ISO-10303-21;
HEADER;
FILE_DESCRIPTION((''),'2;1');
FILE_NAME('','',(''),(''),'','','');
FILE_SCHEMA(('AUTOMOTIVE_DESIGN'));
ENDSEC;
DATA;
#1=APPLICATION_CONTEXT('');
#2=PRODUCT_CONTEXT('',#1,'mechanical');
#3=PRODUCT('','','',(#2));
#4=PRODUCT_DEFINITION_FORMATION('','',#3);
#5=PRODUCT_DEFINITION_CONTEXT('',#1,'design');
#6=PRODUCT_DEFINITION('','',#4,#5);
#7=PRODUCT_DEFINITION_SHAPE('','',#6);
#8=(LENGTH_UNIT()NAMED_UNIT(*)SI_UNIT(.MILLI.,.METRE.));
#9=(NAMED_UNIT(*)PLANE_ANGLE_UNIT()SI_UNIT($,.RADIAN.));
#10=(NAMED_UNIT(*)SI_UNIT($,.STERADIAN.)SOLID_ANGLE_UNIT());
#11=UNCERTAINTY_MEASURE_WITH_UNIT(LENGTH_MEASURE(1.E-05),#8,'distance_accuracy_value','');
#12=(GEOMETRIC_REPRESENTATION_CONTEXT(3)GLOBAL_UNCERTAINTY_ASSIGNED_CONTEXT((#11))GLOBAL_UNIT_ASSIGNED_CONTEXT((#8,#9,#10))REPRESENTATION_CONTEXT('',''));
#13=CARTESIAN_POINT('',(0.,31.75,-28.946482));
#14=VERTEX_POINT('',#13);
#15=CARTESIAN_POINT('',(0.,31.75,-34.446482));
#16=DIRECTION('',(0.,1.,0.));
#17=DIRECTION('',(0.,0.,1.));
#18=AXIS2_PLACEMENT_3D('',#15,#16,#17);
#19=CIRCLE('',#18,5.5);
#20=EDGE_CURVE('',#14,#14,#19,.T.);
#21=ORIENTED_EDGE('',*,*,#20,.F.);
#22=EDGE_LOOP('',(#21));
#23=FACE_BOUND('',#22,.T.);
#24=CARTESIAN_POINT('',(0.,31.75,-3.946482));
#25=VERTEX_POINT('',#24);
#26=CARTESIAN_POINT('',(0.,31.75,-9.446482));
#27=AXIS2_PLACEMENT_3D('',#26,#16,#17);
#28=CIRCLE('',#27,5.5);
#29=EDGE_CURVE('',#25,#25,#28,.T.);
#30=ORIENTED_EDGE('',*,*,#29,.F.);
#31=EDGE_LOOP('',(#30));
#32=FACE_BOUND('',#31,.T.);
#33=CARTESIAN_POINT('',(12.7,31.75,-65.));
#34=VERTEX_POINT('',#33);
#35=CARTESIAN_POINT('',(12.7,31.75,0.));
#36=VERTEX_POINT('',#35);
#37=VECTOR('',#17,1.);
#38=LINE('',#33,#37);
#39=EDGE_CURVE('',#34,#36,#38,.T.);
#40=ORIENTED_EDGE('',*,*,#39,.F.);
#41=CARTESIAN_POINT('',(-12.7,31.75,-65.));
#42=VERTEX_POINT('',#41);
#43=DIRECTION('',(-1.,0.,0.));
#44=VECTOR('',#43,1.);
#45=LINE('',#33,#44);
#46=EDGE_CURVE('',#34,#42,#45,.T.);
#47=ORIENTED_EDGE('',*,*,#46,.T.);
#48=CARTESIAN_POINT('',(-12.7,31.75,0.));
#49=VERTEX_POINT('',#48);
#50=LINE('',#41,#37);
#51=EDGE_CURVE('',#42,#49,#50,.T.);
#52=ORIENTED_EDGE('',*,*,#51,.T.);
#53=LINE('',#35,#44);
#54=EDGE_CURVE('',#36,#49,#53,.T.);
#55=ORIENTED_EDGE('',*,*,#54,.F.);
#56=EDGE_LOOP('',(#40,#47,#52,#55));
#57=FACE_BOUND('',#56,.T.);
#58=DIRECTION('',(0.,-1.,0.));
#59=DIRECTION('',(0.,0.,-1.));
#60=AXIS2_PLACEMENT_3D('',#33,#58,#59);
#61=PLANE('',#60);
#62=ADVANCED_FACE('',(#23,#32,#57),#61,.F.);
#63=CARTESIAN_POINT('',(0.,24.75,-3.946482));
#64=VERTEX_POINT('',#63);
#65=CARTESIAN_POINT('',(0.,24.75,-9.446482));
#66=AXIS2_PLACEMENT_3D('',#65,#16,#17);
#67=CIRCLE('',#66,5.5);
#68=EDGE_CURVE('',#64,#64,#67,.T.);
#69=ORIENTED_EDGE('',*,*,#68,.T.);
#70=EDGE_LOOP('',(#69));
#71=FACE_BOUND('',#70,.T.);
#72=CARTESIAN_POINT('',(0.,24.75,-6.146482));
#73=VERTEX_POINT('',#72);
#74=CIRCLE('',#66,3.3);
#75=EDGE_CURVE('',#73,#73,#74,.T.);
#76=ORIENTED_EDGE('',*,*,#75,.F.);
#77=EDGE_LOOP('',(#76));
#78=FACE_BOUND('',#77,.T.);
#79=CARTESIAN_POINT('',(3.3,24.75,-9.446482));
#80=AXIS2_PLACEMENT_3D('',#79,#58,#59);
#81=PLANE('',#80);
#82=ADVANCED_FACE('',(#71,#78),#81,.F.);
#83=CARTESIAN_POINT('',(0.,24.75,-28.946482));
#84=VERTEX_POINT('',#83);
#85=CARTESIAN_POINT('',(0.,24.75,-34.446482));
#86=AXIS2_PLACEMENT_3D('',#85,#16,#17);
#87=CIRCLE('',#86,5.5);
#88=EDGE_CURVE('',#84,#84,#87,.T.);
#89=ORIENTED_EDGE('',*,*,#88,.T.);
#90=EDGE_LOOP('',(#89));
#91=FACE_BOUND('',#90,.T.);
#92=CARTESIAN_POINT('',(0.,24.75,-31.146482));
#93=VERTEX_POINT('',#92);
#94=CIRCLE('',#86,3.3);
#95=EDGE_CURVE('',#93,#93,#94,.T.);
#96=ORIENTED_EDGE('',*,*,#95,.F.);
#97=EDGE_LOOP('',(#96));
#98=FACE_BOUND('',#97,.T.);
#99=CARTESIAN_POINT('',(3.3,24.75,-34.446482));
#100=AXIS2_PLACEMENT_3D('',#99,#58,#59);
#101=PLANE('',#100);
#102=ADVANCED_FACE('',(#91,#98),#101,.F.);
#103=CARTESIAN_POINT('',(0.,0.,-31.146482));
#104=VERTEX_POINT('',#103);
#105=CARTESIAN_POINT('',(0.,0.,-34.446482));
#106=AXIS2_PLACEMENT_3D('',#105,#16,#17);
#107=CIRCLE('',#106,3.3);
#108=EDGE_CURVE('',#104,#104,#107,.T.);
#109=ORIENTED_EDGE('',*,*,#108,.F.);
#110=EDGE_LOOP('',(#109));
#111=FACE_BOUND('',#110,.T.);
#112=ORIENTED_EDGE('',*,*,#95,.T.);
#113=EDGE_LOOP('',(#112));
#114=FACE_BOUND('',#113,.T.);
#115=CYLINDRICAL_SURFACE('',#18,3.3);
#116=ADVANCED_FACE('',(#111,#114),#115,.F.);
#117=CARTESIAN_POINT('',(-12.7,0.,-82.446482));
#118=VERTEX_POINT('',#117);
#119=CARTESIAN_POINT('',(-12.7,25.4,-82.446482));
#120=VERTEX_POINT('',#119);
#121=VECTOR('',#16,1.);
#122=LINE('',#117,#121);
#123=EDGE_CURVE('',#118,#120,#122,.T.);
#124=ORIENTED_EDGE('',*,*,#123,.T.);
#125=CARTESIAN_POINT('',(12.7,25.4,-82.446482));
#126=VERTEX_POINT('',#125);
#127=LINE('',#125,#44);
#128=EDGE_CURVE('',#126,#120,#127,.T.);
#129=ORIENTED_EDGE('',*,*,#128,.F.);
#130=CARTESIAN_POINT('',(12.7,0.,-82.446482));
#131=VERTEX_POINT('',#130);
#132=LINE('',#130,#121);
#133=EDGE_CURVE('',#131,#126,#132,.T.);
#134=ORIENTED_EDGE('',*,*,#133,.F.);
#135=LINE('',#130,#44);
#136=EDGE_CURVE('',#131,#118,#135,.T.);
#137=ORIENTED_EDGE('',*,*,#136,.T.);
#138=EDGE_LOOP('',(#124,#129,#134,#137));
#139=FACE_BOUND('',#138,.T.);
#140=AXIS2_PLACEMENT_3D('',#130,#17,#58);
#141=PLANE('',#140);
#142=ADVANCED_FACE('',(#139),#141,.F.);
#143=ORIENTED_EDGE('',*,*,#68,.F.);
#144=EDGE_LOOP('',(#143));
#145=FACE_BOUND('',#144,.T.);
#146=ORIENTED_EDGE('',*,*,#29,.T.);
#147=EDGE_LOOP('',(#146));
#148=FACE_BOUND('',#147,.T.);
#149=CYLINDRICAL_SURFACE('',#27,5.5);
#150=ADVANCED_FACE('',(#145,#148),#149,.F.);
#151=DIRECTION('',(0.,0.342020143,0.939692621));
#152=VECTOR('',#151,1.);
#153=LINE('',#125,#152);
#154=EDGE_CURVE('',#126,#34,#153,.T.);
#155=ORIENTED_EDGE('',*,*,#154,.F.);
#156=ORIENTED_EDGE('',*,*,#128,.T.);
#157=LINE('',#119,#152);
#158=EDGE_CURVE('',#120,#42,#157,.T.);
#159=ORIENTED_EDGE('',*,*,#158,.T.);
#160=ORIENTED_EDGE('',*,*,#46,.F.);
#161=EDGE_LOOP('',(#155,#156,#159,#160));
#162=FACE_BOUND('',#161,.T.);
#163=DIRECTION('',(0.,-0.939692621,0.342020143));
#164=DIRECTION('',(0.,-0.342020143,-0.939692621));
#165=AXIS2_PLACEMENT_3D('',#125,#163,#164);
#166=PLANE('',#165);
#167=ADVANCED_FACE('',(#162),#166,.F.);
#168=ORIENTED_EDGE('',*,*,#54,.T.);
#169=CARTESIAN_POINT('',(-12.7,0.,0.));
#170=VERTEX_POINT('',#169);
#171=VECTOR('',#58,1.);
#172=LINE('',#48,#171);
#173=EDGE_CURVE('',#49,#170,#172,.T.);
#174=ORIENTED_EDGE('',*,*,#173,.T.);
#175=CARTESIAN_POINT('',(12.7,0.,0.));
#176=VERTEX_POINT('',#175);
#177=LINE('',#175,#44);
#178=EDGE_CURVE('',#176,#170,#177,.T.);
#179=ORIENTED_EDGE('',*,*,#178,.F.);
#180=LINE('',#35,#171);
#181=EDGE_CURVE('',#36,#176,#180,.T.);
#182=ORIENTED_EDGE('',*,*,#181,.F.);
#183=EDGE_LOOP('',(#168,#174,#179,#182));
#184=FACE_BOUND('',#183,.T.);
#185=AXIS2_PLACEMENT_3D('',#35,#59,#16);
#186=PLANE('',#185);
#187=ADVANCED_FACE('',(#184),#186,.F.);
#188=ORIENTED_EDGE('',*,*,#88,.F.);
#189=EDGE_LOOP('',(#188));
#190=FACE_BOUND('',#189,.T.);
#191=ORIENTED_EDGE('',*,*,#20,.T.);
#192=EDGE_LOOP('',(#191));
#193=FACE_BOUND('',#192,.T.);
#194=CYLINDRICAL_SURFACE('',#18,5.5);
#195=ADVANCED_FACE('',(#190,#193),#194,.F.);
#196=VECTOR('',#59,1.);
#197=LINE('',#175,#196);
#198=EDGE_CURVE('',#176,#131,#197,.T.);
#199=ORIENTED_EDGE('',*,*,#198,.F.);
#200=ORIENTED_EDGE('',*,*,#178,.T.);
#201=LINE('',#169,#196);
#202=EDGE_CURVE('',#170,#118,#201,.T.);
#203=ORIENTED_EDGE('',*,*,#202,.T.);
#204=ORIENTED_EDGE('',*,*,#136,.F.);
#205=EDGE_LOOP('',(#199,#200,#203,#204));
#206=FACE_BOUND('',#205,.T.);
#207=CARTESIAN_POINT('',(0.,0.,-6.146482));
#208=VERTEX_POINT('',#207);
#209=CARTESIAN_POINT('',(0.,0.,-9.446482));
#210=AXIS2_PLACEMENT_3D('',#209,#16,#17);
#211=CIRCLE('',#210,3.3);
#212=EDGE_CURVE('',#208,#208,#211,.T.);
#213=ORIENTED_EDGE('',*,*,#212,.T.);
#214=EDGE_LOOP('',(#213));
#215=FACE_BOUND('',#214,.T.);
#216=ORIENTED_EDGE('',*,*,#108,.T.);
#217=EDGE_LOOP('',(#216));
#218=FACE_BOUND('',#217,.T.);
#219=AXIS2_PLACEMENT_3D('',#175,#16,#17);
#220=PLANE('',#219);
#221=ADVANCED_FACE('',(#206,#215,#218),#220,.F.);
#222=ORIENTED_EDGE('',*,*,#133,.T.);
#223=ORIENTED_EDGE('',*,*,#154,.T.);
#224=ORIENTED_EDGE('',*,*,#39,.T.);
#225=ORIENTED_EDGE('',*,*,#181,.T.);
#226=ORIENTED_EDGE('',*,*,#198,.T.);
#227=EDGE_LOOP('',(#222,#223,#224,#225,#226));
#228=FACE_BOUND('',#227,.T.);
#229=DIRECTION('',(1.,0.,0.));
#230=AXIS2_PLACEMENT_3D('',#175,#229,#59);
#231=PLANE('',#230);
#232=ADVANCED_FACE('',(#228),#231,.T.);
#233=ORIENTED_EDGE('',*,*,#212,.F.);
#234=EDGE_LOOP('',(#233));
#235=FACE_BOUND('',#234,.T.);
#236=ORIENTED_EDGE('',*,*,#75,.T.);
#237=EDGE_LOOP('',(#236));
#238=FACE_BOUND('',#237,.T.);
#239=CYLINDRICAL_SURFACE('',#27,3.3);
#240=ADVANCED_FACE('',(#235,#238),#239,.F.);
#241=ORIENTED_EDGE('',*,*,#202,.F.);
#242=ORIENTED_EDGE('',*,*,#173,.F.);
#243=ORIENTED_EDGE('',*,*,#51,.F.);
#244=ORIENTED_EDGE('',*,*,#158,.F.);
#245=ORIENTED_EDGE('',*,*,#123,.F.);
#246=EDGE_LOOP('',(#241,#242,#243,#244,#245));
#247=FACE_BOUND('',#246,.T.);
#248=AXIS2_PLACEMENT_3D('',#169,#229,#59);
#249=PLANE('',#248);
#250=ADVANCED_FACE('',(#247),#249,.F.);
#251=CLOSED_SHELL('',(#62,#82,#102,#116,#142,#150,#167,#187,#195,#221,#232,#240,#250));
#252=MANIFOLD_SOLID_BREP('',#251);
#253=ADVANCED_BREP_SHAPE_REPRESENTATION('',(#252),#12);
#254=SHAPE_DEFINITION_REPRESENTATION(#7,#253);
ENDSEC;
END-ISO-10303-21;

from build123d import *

# Parameters (mm, degrees)
BOSS_EXTRUDE1_DEPTH                                 = 12.7
CBORE_FOR_M6_HEX_SOCKET_HEAD_CAP_SCREW1_D           = 6.6
CBORE_FOR_M6_HEX_SOCKET_HEAD_CAP_SCREW1_CBORE_D     = 11
CBORE_FOR_M6_HEX_SOCKET_HEAD_CAP_SCREW1_CBORE_DEPTH = 7


with BuildPart() as part:
    # Sketch1 → Boss-Extrude1 (new, symmetric)
    with BuildSketch(Plane(origin=(0, 0, 0), x_dir=(0, 0, -1), z_dir=(1, 0, 0))):
        Polygon((0, 0), (82.446481614, 0), (82.446481614, 25.4), (65, 31.75), (0, 31.75), align=None)
    extrude(amount=BOSS_EXTRUDE1_DEPTH, both=True)

    # CBORE for M6 Hex Socket Head Cap Screw1 (through all)
    with Locations(Plane(origin=(0, 31.75, 0), x_dir=(1, 0, 0), z_dir=(0, 1, 0))):
        with Locations((0, 9.446481614), (0, 34.446481614)):
            CounterBoreHole(CBORE_FOR_M6_HEX_SOCKET_HEAD_CAP_SCREW1_D / 2, CBORE_FOR_M6_HEX_SOCKET_HEAD_CAP_SCREW1_CBORE_D / 2, CBORE_FOR_M6_HEX_SOCKET_HEAD_CAP_SCREW1_CBORE_DEPTH)


solid = part.part
